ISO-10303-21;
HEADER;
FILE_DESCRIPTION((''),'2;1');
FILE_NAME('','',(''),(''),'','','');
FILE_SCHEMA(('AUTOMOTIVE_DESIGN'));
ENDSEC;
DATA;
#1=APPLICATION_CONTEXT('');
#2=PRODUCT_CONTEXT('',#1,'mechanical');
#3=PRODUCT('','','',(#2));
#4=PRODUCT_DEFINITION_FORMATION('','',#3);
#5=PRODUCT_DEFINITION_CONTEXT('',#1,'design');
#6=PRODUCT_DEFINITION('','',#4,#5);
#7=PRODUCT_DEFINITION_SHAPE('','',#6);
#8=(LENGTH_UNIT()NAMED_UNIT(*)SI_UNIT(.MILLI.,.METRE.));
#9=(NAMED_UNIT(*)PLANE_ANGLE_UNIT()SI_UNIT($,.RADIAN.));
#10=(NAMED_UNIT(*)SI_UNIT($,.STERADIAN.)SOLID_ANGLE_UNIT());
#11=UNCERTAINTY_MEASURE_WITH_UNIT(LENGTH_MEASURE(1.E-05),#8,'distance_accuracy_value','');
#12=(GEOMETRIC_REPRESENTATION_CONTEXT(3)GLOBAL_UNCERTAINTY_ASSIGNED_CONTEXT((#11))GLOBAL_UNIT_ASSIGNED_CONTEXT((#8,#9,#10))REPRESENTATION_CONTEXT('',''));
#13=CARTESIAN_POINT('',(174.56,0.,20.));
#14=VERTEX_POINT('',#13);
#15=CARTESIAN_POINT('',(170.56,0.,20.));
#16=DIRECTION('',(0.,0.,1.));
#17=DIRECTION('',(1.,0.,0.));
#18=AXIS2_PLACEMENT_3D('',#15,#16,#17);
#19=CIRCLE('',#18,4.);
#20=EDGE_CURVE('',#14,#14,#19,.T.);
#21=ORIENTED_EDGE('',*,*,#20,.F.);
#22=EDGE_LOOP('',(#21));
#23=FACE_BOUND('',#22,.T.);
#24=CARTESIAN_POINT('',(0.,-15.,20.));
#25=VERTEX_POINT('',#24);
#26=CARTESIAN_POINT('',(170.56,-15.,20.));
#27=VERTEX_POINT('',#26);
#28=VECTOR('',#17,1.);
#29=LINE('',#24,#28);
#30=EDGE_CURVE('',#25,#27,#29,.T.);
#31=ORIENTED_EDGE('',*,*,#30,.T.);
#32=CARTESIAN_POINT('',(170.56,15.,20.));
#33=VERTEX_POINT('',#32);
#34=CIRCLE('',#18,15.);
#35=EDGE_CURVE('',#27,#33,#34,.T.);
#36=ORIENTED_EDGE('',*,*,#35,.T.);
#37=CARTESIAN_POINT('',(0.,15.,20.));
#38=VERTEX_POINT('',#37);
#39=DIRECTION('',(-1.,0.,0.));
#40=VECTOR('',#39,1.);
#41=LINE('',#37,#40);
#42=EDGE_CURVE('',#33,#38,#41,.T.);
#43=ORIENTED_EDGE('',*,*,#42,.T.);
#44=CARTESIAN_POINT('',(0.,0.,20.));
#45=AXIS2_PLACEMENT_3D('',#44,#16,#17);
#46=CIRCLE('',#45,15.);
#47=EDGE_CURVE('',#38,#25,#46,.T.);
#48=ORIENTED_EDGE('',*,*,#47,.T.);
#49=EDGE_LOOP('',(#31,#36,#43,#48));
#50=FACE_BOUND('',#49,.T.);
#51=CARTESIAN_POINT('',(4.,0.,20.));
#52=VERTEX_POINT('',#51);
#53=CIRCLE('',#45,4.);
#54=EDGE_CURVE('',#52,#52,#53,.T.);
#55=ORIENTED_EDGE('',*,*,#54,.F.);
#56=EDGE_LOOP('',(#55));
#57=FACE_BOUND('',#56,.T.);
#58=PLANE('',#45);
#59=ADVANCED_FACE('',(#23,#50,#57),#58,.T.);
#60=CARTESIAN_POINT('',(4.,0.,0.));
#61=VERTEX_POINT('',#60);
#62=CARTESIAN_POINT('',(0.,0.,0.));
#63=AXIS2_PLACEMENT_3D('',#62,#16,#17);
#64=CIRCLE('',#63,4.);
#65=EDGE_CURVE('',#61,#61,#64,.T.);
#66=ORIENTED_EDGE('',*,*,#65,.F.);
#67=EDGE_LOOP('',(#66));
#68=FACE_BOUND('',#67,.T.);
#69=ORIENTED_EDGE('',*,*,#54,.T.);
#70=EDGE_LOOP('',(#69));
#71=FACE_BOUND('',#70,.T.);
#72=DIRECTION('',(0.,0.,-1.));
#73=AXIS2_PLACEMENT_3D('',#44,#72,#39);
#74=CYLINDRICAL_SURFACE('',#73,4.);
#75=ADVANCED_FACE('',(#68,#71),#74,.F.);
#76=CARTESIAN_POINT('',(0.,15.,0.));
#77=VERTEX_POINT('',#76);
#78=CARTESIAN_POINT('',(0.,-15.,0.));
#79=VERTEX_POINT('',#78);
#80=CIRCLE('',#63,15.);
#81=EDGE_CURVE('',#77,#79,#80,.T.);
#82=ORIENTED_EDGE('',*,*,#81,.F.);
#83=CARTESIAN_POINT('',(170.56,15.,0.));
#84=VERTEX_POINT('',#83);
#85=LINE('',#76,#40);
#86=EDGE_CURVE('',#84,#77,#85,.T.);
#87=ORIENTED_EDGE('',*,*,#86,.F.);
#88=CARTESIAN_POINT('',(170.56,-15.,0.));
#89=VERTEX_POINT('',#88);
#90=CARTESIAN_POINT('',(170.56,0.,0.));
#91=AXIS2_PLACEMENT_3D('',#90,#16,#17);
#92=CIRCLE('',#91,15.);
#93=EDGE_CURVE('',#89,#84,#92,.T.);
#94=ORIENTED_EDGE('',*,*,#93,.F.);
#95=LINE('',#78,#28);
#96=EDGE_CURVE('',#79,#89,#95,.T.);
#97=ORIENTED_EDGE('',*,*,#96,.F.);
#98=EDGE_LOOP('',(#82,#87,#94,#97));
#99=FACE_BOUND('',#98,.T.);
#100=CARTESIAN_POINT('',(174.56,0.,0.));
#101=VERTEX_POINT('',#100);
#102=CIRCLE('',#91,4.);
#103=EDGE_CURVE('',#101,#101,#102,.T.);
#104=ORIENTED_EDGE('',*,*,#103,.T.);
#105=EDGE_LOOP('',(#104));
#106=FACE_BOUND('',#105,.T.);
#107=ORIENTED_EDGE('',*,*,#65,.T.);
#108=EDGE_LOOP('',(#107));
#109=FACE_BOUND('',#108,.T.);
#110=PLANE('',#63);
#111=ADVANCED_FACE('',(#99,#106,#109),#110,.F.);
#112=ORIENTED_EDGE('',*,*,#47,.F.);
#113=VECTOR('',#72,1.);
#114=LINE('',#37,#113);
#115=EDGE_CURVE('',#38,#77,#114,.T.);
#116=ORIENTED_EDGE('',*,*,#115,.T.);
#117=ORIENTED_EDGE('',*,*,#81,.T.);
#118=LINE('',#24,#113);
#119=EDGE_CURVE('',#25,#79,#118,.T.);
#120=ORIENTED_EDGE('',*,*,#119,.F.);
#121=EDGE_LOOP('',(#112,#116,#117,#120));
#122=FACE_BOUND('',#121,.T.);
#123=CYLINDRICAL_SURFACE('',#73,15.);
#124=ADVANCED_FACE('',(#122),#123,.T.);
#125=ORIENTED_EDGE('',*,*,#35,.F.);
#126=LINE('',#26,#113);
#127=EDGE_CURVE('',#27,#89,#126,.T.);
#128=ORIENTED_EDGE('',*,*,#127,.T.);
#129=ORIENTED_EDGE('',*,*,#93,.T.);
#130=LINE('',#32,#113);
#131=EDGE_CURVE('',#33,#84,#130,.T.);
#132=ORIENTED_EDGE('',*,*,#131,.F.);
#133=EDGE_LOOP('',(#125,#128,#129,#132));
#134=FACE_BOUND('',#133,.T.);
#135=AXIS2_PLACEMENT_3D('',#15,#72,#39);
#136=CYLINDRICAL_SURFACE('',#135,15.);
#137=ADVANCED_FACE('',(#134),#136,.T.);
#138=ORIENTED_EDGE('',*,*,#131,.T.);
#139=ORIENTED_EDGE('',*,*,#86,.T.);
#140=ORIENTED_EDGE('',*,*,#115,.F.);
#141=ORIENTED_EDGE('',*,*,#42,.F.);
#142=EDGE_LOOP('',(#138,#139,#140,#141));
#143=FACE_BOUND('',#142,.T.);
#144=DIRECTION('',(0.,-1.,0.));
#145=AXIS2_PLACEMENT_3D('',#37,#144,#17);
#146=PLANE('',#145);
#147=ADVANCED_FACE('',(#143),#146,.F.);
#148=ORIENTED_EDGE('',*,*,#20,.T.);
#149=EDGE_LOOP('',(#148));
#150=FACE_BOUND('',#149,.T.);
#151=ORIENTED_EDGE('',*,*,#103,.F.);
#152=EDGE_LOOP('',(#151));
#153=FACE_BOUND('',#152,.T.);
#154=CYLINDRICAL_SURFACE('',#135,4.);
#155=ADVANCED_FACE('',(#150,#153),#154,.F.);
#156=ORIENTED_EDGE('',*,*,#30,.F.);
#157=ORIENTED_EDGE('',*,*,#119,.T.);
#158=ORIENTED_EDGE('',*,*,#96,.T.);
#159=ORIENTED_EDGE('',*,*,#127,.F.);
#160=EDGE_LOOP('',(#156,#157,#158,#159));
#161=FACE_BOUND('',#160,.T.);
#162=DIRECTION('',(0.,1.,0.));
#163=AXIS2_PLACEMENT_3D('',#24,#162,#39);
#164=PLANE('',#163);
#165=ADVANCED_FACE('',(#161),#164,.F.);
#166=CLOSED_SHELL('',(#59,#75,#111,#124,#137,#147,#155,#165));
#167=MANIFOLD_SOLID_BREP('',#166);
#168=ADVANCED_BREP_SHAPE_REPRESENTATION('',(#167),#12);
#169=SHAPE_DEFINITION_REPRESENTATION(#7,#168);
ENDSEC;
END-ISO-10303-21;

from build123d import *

# Parameters (mm, degrees)
SKETCH_1_R      = 4
EXTRUDE_1_DEPTH = 20


with BuildPart() as part:
    # 草图1 → 凸台-拉伸1 (new body)
    with BuildSketch(Plane.XY):
        with BuildLine():
            Line((0, 15), (170.56, 15))
            ThreePointArc((170.56, 15), (185.56, 0), (170.56, -15))
            Line((170.56, -15), (0, -15))
            ThreePointArc((0, -15), (-15, 0), (0, 15))
        make_face()
        Circle(SKETCH_1_R, mode=Mode.SUBTRACT)
        with Locations((170.56, 0)):
            Circle(SKETCH_1_R, mode=Mode.SUBTRACT)
    extrude(amount=EXTRUDE_1_DEPTH)


solid = part.part
